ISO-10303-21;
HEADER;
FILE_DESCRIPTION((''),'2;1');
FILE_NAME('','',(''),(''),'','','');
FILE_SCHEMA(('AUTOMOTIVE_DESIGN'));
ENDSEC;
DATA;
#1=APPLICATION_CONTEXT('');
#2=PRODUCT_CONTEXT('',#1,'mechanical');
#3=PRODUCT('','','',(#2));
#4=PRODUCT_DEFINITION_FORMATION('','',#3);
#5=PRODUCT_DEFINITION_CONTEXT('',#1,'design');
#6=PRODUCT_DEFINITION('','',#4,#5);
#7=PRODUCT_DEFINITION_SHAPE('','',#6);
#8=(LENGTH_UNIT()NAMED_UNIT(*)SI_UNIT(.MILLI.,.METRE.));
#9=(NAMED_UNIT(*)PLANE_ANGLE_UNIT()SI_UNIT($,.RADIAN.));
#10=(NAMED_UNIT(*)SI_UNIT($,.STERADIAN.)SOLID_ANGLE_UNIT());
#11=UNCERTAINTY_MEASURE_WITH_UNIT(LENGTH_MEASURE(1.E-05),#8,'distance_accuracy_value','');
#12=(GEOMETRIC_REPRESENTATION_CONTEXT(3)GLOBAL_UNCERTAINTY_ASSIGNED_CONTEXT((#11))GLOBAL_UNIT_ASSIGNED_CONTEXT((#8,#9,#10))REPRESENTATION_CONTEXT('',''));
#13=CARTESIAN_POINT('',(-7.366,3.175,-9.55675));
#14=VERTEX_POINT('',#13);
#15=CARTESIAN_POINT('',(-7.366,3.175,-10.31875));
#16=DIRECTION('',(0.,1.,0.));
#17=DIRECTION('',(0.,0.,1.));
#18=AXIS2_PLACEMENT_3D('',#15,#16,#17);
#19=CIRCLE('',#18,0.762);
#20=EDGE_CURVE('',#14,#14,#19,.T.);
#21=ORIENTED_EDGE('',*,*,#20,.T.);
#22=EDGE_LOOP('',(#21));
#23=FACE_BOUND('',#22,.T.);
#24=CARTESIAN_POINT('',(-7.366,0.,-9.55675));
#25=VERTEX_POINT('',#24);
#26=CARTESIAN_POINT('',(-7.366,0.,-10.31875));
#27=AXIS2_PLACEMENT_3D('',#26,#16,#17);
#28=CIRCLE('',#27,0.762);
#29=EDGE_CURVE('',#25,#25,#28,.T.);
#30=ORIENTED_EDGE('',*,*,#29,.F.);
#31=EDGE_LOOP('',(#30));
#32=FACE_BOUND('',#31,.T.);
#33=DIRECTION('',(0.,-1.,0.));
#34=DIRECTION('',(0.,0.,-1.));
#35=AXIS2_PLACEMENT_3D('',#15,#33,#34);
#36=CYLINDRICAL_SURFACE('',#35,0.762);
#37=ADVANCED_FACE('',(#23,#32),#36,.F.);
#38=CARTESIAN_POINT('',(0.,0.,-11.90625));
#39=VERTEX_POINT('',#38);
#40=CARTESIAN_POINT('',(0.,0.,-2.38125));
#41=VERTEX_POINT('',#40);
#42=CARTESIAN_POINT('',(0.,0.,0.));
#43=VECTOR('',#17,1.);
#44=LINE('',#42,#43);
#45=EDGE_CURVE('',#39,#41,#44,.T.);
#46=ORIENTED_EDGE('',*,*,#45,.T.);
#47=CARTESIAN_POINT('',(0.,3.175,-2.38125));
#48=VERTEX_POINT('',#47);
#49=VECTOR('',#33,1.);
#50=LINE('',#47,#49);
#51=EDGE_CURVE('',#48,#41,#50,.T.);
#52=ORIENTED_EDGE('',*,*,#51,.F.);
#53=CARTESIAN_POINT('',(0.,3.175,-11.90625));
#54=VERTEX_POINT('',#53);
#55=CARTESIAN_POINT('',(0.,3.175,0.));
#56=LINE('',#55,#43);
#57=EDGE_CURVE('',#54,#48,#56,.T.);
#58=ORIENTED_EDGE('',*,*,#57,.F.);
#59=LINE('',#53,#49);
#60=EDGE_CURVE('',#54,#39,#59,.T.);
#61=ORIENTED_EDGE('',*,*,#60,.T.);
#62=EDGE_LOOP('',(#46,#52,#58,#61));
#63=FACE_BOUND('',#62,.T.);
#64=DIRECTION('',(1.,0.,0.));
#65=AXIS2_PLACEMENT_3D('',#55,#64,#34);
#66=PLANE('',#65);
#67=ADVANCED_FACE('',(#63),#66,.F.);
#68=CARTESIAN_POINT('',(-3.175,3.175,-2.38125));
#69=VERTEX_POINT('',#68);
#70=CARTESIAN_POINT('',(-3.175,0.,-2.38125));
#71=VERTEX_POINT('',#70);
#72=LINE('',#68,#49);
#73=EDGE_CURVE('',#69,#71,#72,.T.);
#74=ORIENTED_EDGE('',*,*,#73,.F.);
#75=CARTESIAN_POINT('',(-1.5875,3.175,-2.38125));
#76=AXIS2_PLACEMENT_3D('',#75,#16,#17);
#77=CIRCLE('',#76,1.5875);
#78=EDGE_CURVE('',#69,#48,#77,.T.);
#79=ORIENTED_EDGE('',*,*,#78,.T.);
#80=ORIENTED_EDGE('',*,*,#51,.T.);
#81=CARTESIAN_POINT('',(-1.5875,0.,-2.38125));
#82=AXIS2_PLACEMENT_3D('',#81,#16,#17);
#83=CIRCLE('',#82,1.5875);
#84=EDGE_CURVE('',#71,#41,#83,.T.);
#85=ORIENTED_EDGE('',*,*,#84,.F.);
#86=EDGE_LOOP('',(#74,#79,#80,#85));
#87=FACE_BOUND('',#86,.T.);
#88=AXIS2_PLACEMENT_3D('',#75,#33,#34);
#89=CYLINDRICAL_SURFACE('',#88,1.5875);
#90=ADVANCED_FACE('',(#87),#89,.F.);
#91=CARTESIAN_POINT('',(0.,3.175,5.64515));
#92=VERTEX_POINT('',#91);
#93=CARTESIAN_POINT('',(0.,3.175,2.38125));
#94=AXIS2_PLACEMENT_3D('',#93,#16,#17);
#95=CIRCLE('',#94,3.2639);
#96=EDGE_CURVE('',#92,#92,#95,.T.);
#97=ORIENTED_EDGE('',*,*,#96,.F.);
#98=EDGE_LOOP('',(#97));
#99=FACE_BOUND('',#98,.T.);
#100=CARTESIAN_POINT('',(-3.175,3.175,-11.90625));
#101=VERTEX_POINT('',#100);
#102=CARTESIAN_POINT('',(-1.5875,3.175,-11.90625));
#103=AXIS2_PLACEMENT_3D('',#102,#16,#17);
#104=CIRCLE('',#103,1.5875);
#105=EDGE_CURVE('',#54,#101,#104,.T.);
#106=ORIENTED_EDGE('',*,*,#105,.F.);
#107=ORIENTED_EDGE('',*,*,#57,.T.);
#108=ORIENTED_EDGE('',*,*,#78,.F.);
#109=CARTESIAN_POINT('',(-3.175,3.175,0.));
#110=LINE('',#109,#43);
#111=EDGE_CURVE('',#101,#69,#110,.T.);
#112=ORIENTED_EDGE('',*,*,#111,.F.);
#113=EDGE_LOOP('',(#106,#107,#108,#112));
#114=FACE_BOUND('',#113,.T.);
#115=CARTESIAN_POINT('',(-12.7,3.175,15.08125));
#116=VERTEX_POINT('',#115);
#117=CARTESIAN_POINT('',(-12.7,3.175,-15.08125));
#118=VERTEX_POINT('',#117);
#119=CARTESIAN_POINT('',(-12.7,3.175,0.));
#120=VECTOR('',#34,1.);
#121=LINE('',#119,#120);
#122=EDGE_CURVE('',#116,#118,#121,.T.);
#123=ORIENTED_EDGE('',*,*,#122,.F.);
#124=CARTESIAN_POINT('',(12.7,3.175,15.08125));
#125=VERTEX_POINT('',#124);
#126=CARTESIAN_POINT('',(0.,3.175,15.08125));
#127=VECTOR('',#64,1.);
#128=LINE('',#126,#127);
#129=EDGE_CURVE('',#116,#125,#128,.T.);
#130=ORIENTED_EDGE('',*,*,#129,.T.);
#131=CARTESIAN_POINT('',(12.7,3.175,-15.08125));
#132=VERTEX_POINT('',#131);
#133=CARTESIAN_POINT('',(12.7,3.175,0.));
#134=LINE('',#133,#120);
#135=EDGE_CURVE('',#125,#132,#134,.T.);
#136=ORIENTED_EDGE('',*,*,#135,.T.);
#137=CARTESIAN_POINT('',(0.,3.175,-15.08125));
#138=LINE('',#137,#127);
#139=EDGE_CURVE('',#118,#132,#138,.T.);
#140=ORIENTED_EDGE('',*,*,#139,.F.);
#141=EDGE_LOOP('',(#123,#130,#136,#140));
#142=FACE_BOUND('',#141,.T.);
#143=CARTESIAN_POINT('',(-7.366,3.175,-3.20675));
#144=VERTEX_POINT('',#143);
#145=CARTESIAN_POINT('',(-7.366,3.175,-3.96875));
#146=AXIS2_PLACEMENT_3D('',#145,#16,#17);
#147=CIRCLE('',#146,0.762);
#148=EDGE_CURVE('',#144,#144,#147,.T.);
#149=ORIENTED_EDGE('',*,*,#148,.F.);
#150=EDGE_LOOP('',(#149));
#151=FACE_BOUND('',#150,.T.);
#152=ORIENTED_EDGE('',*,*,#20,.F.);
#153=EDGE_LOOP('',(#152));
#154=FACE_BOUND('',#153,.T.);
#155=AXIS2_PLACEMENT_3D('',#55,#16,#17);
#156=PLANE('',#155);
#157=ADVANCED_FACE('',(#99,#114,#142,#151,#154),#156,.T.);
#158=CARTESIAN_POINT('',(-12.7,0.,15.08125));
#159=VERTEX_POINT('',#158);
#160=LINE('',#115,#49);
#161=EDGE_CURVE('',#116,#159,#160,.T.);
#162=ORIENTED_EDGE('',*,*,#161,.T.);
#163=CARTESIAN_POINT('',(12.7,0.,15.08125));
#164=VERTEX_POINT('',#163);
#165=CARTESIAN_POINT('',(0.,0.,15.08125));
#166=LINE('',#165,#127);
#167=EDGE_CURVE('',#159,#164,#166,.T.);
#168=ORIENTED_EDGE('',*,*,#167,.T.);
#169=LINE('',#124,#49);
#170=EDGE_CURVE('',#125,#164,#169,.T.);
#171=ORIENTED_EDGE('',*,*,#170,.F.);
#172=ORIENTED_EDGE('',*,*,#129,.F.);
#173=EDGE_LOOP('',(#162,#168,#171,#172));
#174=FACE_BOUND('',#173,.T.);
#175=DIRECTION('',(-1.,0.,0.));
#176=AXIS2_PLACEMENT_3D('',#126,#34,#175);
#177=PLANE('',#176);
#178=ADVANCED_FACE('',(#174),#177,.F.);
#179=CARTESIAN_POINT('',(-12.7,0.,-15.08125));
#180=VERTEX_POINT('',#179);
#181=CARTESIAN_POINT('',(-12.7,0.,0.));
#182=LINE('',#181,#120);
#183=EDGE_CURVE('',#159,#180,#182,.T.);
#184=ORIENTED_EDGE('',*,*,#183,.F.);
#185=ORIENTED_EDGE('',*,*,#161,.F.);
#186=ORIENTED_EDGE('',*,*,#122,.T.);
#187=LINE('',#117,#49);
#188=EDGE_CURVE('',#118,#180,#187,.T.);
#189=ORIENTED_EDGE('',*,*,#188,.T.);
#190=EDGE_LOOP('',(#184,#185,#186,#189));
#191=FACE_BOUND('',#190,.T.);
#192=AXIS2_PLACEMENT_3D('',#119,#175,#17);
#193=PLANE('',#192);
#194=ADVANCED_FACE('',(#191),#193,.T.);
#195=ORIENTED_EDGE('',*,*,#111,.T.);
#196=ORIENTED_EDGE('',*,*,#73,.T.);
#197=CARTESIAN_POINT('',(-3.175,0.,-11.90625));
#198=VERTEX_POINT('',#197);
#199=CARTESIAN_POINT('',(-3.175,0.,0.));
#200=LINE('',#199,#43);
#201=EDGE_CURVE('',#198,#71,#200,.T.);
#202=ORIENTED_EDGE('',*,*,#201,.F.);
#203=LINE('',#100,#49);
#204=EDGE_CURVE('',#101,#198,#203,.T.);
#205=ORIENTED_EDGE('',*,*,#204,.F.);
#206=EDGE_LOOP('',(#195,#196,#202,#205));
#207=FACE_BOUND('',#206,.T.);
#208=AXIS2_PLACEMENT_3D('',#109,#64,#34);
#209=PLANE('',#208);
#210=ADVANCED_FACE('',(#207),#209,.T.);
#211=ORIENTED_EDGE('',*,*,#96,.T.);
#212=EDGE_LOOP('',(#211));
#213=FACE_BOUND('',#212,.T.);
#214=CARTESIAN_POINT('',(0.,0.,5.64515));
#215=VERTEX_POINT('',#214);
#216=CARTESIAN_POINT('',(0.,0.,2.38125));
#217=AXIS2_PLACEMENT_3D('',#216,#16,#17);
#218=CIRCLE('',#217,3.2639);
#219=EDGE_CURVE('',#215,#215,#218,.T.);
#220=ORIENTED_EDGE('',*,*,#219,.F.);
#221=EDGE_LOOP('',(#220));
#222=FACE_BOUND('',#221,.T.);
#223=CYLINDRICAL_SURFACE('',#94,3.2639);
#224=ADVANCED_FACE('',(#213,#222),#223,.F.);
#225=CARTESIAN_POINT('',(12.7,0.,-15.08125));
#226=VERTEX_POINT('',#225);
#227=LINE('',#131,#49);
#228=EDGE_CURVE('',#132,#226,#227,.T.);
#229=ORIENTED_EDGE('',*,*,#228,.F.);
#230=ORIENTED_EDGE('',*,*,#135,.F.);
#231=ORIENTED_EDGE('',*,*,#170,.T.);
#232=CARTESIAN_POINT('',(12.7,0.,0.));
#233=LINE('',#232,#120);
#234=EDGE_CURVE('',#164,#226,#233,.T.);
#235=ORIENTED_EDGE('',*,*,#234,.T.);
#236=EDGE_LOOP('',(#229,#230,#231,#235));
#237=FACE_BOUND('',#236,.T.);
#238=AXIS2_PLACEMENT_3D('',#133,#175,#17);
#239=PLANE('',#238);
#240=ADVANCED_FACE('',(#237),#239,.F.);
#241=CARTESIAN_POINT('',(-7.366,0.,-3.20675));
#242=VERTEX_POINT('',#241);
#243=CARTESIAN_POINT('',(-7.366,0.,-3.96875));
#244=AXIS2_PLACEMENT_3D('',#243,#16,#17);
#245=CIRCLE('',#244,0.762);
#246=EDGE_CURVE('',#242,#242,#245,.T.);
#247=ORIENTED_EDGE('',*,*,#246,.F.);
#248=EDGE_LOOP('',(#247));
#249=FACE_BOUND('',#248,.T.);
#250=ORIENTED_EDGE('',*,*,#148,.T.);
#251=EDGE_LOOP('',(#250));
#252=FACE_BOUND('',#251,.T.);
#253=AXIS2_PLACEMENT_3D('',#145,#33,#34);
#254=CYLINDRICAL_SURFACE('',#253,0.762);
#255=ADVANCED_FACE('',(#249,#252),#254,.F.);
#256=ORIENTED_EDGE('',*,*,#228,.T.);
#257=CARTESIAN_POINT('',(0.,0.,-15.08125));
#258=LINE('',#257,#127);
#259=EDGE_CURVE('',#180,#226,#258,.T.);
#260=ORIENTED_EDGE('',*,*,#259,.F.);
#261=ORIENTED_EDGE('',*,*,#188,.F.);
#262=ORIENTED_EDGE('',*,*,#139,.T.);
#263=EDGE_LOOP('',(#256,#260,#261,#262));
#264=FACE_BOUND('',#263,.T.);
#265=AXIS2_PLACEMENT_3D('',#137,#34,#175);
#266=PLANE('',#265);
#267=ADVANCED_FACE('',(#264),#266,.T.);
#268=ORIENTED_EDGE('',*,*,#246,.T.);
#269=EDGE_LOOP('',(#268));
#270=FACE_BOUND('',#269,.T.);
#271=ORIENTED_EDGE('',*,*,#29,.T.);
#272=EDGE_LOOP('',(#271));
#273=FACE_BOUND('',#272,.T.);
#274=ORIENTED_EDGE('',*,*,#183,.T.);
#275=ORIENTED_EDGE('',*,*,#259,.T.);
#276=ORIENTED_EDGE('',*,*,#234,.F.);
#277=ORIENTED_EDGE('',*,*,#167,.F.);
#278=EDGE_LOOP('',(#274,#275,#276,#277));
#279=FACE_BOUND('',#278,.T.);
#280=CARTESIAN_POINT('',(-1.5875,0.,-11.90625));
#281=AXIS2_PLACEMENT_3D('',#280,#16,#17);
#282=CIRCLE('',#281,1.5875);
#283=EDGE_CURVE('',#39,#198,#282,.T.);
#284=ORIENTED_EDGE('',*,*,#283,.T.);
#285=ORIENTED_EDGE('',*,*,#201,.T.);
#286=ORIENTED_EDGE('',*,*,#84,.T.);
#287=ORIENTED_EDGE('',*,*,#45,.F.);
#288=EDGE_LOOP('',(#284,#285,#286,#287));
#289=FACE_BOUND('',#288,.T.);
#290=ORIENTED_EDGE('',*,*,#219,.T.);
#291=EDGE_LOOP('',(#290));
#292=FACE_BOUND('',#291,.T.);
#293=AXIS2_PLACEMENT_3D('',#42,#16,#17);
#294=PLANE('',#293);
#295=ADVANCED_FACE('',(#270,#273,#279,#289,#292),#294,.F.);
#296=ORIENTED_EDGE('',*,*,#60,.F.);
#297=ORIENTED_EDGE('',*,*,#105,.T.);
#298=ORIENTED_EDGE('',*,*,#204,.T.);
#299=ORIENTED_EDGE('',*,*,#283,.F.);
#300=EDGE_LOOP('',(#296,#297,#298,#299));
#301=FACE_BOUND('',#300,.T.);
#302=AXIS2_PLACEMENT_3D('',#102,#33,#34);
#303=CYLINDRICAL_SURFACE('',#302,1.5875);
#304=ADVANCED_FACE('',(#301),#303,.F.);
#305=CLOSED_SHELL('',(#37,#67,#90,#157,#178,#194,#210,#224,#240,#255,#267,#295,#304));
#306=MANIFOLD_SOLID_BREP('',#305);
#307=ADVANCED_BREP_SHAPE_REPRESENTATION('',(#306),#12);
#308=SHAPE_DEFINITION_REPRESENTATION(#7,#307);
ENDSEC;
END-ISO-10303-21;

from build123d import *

# Parameters (mm, degrees)
SKETCH1_W                   = 25.4
SKETCH1_H                   = 30.1625
SKETCH1_R                   = 0.762
BOSS_EXTRUDE1_DEPTH         = 3.175
F_1_4_CLEARANCE_HOLE1_D     = 6.5278
F_1_4_CLEARANCE_HOLE1_DEPTH = 6.35
F_1_4_CLEARANCE_HOLE1_TIP   = 1.961148974


with BuildPart() as part:
    # Sketch1 → Boss-Extrude1 (new body)
    with BuildSketch(Plane(origin=(0, 0, 0), x_dir=(1, 0, 0), z_dir=(0, 1, 0))):
        Rectangle(SKETCH1_W, SKETCH1_H)
        with Locations((-7.366, 3.96875)):
            Circle(SKETCH1_R, mode=Mode.SUBTRACT)
        with Locations((-7.366, 10.31875)):
            Circle(SKETCH1_R, mode=Mode.SUBTRACT)
        with BuildLine():
            Line((0, 11.90625), (0, 2.38125))
            ThreePointArc((0, 2.38125), (-1.5875, 0.79375), (-3.175, 2.38125))
            Line((-3.175, 2.38125), (-3.175, 11.90625))
            ThreePointArc((-3.175, 11.90625), (-1.5875, 13.49375), (0, 11.90625))
        make_face(mode=Mode.SUBTRACT)
    extrude(amount=BOSS_EXTRUDE1_DEPTH)

    # 1/4 Clearance Hole1
    with Locations(Plane(origin=(0, 3.175, 0), x_dir=(1, 0, 0), z_dir=(0, 1, 0))):
        with Locations((0, -2.38125)):
            Hole(F_1_4_CLEARANCE_HOLE1_D / 2, depth=F_1_4_CLEARANCE_HOLE1_DEPTH)
            with Locations((0, 0, -(F_1_4_CLEARANCE_HOLE1_DEPTH + F_1_4_CLEARANCE_HOLE1_TIP / 2))):  # 118° drill point
                Cone(0, F_1_4_CLEARANCE_HOLE1_D / 2, F_1_4_CLEARANCE_HOLE1_TIP, mode=Mode.SUBTRACT)


solid = part.part
